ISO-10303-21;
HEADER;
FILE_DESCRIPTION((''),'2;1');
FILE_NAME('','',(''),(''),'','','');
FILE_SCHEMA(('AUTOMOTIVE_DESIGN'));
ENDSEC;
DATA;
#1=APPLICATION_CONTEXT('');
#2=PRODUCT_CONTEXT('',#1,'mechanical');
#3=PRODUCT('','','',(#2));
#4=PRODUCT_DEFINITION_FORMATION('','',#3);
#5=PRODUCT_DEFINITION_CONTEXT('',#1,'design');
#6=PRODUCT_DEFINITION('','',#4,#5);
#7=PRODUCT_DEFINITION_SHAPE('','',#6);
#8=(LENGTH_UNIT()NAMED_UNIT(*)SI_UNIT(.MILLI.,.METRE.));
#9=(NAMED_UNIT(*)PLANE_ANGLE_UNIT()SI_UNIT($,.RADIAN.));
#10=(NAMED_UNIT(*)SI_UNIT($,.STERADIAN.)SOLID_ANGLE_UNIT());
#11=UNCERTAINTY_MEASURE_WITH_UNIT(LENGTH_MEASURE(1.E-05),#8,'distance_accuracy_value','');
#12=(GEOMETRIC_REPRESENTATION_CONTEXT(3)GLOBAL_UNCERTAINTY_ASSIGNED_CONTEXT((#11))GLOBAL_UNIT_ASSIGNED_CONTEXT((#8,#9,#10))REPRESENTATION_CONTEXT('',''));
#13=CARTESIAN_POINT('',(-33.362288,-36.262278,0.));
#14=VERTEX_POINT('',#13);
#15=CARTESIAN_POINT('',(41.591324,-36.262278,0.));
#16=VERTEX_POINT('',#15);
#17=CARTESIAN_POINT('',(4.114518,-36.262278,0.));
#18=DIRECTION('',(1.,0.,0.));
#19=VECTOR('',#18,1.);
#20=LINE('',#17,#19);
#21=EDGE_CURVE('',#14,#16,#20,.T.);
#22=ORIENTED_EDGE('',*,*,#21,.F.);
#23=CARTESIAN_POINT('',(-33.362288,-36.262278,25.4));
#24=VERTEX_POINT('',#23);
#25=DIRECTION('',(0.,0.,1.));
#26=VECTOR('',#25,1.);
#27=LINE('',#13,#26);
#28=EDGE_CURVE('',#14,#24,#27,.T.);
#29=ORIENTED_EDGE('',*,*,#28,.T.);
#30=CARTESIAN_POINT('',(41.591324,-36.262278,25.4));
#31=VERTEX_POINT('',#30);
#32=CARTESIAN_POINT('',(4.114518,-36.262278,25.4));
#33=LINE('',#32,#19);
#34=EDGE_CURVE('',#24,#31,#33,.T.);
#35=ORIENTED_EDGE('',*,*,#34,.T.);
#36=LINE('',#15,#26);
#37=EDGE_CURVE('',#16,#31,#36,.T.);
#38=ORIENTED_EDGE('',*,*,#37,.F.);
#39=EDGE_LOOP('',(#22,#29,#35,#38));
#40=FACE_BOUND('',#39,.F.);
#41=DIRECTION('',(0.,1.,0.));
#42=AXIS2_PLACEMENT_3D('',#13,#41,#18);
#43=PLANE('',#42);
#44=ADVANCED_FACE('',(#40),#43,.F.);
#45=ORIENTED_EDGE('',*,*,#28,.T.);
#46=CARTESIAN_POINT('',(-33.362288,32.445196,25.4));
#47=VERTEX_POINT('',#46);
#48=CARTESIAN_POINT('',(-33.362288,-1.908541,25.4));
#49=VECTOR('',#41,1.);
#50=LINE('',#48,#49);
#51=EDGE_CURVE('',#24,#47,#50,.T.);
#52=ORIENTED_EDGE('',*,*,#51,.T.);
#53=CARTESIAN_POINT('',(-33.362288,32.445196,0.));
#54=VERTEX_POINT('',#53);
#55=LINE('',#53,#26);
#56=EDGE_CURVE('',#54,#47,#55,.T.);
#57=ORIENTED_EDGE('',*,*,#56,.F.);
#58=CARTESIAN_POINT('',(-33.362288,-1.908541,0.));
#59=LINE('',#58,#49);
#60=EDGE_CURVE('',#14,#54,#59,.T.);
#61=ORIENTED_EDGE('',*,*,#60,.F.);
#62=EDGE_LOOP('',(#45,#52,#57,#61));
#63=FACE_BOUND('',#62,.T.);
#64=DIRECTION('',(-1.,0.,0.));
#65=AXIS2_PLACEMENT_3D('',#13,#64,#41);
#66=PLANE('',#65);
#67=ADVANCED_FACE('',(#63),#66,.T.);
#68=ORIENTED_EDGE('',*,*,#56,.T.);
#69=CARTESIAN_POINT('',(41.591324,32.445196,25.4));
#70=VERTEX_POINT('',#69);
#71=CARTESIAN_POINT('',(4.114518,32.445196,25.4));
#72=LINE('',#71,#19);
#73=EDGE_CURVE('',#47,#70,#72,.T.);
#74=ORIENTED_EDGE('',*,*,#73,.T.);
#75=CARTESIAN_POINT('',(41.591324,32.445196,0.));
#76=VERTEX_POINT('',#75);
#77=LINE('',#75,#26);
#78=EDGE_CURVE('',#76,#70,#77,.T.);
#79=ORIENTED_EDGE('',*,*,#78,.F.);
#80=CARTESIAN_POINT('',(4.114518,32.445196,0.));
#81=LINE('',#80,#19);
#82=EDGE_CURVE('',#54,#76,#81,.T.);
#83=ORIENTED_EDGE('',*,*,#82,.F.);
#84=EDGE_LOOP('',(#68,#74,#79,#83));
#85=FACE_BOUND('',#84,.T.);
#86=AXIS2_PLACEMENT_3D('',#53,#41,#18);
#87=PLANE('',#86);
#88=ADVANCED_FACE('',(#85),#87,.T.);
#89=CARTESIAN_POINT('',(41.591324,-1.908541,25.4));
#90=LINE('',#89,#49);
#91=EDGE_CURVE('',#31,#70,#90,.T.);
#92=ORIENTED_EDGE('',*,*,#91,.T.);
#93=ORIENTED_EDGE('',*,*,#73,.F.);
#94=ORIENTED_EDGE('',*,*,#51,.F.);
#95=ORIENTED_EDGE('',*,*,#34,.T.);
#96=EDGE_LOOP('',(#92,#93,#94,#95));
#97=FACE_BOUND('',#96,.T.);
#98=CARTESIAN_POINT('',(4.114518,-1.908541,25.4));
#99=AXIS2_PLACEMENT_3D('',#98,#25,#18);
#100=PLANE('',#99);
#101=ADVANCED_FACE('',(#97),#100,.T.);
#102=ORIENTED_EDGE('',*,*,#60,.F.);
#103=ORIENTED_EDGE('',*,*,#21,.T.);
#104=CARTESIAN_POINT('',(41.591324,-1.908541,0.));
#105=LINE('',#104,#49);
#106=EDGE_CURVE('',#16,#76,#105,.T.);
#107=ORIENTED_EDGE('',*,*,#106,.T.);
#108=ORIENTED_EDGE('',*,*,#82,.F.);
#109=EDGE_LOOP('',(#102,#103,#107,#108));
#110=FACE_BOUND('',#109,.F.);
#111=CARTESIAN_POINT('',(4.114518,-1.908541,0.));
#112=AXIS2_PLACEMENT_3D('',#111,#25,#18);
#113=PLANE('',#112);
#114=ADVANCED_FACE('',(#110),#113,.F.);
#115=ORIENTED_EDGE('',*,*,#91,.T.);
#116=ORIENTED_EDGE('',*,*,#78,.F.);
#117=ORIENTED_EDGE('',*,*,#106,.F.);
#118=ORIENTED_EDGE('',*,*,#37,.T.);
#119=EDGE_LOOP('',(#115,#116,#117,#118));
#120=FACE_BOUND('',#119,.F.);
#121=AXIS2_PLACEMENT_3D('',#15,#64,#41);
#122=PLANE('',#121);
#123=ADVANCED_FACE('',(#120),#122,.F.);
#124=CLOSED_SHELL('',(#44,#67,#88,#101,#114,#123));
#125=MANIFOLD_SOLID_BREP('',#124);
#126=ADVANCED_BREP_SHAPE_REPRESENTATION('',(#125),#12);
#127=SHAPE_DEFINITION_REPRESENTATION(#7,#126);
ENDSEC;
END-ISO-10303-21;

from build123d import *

# Parameters (mm, degrees)
F0_W     = 74.953612
F0_H     = 68.707474
F1_DEPTH = 25.4
F3_DEPTH = 25.4
F5_DEPTH = 25.4
F6_R     = 11.148412
F7_DEPTH = 25.4


with BuildPart() as f1:
    # F0 (on Top) → F1 (new body)
    with BuildSketch(Plane.XY):
        with Locations((4.114518, -1.908541)):
            Rectangle(F0_W, F0_H)
    extrude(amount=F1_DEPTH)

    # F2 (on Top) → F3 (cut)
    with BuildSketch(Plane.XY):
        with BuildLine():
            ThreePointArc((-26.174275, 15.169183), (0.596139, 6.733711), (28.553754, 9.220484))
            ThreePointArc((28.553754, 9.220484), (1.973893, 19.409044), (-26.174275, 15.169183))
        make_face()
    extrude(amount=-F3_DEPTH, mode=Mode.SUBTRACT)

    # F4 (on Top) → F5 (join)
    with BuildSketch(Plane.XY):
        Polygon((-5.488566, 3.637098), (-12.357531, 26.304687), (-28.553756, 9.022194), align=None)
    extrude(amount=F5_DEPTH)

    # F6 (on Top) → F7 (cut)
    with BuildSketch(Plane.XY):
        with Locations((-17.846096, 15.169183)):
            Circle(F6_R)
    extrude(amount=-F7_DEPTH, mode=Mode.SUBTRACT)


solid = f1.part
